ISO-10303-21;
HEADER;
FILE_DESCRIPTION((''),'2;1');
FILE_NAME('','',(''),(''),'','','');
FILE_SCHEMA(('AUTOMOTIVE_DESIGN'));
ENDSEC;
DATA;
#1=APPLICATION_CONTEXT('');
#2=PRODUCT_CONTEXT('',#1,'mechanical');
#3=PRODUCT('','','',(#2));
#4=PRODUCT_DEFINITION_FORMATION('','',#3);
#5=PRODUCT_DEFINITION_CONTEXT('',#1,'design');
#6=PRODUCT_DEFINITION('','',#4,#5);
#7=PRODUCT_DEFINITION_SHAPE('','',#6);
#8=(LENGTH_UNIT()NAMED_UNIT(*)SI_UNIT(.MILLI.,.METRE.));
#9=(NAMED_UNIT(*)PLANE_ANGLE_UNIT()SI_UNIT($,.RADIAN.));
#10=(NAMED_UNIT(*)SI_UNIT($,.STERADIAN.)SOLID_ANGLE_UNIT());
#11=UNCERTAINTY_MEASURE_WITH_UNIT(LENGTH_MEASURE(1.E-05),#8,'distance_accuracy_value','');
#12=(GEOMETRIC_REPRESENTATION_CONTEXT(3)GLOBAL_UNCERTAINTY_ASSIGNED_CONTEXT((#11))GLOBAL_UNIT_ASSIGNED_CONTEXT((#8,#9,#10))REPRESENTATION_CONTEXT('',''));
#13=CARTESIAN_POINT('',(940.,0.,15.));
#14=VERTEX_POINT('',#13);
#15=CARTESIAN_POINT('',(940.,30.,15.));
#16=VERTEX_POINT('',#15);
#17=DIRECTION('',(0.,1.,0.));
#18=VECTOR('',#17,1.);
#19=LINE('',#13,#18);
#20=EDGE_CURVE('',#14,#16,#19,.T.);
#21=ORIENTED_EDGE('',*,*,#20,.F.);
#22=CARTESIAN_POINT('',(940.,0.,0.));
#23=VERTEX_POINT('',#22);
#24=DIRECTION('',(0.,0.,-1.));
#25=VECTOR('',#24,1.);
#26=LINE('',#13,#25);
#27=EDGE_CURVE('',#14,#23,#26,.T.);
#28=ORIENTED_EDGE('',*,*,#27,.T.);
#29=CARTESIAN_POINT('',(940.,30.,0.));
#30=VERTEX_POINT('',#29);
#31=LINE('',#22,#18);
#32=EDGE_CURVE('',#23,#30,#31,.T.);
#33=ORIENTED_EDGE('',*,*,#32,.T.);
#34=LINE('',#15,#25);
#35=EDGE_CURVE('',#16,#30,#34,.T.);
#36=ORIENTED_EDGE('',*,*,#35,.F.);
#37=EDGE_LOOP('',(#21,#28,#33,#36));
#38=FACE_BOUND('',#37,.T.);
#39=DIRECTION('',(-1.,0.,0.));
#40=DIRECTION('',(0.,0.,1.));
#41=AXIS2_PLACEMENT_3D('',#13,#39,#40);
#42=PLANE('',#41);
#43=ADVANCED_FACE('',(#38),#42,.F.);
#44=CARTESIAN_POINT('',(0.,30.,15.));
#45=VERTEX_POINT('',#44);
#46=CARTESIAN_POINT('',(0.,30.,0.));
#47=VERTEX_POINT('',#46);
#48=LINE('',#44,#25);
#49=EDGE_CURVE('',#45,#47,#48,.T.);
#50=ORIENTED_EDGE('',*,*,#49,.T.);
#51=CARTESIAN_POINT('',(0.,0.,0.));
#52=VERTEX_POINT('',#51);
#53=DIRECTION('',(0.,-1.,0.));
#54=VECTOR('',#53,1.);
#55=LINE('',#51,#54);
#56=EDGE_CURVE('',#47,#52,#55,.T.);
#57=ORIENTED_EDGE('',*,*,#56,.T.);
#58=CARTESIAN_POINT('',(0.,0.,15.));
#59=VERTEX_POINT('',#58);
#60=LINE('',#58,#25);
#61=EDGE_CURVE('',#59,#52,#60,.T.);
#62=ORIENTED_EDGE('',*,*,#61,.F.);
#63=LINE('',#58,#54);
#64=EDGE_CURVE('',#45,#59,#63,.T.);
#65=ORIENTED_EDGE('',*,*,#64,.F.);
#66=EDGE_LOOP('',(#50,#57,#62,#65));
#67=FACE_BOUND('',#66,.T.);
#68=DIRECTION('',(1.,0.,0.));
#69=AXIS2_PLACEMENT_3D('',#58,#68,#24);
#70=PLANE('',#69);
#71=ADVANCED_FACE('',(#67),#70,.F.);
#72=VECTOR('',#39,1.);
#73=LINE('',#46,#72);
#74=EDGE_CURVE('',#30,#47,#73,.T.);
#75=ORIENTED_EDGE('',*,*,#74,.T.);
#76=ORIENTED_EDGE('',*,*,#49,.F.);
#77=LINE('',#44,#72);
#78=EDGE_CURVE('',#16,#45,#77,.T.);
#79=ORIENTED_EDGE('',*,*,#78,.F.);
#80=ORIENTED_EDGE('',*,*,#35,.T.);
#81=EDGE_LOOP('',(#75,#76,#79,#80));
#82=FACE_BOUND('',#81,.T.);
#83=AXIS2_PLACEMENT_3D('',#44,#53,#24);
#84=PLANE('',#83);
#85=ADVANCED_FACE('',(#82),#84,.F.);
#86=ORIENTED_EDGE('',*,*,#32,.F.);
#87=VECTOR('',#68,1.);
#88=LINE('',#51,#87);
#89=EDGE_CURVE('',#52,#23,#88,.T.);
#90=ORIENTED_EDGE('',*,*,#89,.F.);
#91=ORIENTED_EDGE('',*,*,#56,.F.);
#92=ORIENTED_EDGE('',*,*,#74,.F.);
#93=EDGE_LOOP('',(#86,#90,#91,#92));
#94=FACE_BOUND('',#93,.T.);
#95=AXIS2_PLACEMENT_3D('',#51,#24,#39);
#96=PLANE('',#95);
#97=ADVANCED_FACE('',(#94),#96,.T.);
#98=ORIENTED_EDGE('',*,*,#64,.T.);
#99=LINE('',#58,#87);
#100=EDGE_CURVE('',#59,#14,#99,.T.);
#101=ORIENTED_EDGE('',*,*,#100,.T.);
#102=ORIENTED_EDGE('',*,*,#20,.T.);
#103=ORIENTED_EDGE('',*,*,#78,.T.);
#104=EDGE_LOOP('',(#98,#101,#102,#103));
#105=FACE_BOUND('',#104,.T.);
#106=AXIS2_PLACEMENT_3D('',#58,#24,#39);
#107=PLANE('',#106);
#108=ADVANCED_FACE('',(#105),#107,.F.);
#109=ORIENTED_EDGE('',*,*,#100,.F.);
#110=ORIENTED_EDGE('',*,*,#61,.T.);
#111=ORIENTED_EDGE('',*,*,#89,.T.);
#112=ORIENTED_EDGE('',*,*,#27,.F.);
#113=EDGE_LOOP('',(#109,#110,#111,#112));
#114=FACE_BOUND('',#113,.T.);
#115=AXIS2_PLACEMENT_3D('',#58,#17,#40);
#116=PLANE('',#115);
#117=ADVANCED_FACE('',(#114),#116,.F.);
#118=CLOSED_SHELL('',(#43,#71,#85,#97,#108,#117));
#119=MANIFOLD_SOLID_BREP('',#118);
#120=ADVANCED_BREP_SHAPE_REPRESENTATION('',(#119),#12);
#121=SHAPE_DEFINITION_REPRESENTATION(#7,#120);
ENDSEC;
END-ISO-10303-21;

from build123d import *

# Parameters (mm, degrees)
SKETCH1_W           = 94
SKETCH1_H           = 3
BOSS_EXTRUDE1_DEPTH = 1.5
SCALE1_SCALE        = 10


with BuildPart() as part:
    # Sketch1 → Boss-Extrude1 (new body)
    with BuildSketch(Plane.XY):
        with Locations((47, 1.5)):
            Rectangle(SKETCH1_W, SKETCH1_H)
    extrude(amount=BOSS_EXTRUDE1_DEPTH)


with BuildPart() as part_1:
    # Scale1: scaled about (0, 0, 0)
    add(part.part.scale(SCALE1_SCALE))


solid = part_1.part
